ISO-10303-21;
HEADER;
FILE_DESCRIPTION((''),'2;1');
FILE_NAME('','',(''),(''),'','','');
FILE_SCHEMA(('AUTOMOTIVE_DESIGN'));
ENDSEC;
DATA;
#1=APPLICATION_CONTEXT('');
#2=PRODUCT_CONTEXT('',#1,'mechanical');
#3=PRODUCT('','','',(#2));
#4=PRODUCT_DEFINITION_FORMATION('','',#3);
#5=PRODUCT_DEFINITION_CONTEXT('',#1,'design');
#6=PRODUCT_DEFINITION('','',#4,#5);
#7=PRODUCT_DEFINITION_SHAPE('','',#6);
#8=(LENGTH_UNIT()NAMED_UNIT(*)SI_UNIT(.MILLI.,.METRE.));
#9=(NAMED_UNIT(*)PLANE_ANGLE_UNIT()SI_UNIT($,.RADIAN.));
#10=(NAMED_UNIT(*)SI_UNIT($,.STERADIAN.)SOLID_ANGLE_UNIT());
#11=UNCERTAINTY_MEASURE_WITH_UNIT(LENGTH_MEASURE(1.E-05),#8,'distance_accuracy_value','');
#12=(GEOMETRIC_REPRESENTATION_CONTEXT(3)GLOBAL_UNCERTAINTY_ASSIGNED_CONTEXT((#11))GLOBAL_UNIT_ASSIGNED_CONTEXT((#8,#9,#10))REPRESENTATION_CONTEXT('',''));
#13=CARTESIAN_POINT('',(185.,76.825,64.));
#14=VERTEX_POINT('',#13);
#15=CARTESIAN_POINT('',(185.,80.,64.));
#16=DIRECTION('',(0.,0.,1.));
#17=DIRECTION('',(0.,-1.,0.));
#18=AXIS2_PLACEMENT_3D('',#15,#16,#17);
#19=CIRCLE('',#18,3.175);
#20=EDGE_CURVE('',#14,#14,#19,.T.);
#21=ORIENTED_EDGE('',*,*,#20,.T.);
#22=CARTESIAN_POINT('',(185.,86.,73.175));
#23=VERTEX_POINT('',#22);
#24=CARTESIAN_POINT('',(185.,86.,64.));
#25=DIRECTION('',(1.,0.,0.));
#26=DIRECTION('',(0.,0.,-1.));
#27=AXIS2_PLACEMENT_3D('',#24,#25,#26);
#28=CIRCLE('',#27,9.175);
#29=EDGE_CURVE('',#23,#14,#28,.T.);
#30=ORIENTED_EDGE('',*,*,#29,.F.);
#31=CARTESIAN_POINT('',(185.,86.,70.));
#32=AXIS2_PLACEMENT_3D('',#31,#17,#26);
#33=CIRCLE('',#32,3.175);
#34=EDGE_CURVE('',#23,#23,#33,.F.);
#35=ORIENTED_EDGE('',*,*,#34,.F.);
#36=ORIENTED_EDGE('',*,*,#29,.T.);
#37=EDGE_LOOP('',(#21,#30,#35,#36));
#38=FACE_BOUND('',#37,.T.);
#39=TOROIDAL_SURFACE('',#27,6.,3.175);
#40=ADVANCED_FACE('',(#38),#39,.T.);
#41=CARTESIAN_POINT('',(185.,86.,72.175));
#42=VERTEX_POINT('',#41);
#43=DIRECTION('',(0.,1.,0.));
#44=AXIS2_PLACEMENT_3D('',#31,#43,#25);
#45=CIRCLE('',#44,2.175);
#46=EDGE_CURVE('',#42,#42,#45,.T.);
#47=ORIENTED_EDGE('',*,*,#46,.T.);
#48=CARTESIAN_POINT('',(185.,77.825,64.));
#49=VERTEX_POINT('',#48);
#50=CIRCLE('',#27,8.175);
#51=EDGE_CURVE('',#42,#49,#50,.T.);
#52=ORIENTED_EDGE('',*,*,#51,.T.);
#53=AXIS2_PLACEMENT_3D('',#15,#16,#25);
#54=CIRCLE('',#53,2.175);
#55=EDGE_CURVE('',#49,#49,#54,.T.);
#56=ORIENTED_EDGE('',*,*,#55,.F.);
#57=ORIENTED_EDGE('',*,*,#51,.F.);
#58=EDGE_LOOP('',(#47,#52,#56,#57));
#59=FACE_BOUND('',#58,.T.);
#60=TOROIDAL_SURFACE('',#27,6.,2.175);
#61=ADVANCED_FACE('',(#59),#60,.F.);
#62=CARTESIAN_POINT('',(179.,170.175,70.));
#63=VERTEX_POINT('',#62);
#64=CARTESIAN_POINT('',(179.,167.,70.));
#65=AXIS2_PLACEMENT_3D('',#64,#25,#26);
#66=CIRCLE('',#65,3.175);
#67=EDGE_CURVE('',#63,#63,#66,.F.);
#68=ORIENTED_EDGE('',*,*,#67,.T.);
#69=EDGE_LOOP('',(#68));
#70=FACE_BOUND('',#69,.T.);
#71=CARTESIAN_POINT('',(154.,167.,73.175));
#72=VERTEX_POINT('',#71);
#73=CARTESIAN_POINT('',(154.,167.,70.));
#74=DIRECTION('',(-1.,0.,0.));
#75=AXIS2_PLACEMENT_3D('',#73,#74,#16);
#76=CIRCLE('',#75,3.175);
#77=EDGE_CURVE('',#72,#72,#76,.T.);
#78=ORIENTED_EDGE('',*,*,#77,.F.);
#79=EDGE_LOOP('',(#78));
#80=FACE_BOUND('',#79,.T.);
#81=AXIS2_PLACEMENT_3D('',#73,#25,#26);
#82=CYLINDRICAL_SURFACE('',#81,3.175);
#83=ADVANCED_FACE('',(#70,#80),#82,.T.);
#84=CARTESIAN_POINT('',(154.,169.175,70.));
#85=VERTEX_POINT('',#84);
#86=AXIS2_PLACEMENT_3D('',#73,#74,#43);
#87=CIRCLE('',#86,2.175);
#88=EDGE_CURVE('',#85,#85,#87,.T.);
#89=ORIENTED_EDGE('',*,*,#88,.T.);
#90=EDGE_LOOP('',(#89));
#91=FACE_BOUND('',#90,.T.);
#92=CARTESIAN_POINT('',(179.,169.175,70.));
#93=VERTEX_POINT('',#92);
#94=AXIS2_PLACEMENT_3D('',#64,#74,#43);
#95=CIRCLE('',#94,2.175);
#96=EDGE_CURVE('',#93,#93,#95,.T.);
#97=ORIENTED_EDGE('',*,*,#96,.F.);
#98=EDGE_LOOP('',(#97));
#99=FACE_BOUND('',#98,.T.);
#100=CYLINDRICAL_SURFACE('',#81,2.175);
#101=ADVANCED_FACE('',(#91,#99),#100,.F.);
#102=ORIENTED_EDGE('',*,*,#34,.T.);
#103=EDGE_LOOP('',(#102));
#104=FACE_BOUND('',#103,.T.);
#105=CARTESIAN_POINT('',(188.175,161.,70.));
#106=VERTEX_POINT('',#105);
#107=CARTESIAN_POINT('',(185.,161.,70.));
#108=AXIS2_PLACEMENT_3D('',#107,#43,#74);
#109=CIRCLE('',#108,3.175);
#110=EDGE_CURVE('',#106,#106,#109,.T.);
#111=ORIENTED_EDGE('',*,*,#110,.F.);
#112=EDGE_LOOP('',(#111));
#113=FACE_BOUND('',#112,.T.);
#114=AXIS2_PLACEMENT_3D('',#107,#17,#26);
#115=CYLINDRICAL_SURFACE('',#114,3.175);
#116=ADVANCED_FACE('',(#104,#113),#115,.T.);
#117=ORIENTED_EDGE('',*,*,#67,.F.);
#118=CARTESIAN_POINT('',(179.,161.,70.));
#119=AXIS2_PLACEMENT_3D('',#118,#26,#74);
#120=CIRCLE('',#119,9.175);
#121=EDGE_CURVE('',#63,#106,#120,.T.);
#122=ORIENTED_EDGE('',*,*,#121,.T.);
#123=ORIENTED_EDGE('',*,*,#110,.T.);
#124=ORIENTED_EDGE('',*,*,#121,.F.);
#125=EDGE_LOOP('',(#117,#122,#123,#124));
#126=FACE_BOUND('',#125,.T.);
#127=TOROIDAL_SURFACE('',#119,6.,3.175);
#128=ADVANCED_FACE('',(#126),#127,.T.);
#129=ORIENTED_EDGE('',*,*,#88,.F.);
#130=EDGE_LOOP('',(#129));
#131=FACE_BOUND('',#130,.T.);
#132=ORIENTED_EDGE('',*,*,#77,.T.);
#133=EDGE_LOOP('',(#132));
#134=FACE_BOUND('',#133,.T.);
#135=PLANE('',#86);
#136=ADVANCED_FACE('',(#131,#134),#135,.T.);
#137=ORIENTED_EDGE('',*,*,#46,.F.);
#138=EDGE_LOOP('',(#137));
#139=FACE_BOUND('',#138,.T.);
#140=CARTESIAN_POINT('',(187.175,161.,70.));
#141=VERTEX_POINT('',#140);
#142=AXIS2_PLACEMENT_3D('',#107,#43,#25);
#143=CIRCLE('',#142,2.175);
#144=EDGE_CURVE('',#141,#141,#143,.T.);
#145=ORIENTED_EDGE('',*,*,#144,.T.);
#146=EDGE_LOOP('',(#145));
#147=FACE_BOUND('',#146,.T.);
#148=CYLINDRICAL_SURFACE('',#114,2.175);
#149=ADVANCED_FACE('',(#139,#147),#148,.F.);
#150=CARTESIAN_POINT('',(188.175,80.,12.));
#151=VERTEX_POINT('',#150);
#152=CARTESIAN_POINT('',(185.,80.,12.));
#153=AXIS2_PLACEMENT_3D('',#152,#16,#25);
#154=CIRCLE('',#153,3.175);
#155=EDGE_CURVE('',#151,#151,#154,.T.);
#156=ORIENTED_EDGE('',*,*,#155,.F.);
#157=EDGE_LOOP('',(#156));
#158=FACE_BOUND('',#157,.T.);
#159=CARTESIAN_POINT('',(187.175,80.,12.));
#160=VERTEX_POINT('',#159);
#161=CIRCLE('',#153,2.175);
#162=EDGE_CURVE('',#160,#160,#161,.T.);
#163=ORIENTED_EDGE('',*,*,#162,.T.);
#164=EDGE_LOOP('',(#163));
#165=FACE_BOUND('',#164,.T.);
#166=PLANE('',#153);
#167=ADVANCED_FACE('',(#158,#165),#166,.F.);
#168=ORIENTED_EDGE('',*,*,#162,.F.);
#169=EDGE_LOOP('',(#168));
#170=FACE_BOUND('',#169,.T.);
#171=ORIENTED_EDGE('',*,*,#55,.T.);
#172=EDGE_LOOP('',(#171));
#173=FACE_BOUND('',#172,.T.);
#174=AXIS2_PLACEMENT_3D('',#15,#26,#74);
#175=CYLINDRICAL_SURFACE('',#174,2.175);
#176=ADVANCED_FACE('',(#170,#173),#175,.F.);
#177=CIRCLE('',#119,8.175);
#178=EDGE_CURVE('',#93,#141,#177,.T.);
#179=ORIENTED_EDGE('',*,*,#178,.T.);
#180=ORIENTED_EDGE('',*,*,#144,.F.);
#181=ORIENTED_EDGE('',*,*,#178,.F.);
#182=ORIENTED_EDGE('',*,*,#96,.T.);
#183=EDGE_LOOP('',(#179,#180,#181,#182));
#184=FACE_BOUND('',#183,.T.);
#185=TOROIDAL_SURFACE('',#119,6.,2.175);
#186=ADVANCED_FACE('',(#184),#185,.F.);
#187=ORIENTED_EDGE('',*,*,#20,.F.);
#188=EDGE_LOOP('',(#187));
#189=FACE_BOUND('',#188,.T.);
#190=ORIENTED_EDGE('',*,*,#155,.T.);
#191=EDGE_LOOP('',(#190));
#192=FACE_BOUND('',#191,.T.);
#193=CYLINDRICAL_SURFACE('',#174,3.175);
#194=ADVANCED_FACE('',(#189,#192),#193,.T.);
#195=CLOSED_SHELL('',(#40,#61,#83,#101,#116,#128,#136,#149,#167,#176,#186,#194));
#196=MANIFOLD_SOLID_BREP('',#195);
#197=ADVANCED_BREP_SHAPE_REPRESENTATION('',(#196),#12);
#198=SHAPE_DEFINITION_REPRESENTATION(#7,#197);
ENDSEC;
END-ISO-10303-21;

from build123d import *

# Parameters (mm, degrees)
TUBE_PROFILE_R   = 3.175
TUBE_PROFILE_R_2 = 2.175


with BuildPart() as part:
    # Tube: sweep along a curve in space
    with BuildLine() as tube_path:
        Line((154, 167, 70), (179, 167, 70))
        ThreePointArc((185, 161, 70), (183.242640687, 165.242640687, 70), (179, 167, 70))
        Line((185, 161, 70), (185, 86, 70))
        ThreePointArc((185, 80, 64), (185, 81.757359313, 68.242640687), (185, 86, 70))
        Line((185, 80, 64), (185, 80, 12))
    # Tube profile (on start of the path) → Tube (sweep)
    with BuildSketch(Plane(origin=(154, 167, 70), x_dir=(0, 0, 1), z_dir=(1, 0, 0))):
        Circle(TUBE_PROFILE_R)
        Circle(TUBE_PROFILE_R_2, mode=Mode.SUBTRACT)
    sweep(path=tube_path.line)


solid = part.part
